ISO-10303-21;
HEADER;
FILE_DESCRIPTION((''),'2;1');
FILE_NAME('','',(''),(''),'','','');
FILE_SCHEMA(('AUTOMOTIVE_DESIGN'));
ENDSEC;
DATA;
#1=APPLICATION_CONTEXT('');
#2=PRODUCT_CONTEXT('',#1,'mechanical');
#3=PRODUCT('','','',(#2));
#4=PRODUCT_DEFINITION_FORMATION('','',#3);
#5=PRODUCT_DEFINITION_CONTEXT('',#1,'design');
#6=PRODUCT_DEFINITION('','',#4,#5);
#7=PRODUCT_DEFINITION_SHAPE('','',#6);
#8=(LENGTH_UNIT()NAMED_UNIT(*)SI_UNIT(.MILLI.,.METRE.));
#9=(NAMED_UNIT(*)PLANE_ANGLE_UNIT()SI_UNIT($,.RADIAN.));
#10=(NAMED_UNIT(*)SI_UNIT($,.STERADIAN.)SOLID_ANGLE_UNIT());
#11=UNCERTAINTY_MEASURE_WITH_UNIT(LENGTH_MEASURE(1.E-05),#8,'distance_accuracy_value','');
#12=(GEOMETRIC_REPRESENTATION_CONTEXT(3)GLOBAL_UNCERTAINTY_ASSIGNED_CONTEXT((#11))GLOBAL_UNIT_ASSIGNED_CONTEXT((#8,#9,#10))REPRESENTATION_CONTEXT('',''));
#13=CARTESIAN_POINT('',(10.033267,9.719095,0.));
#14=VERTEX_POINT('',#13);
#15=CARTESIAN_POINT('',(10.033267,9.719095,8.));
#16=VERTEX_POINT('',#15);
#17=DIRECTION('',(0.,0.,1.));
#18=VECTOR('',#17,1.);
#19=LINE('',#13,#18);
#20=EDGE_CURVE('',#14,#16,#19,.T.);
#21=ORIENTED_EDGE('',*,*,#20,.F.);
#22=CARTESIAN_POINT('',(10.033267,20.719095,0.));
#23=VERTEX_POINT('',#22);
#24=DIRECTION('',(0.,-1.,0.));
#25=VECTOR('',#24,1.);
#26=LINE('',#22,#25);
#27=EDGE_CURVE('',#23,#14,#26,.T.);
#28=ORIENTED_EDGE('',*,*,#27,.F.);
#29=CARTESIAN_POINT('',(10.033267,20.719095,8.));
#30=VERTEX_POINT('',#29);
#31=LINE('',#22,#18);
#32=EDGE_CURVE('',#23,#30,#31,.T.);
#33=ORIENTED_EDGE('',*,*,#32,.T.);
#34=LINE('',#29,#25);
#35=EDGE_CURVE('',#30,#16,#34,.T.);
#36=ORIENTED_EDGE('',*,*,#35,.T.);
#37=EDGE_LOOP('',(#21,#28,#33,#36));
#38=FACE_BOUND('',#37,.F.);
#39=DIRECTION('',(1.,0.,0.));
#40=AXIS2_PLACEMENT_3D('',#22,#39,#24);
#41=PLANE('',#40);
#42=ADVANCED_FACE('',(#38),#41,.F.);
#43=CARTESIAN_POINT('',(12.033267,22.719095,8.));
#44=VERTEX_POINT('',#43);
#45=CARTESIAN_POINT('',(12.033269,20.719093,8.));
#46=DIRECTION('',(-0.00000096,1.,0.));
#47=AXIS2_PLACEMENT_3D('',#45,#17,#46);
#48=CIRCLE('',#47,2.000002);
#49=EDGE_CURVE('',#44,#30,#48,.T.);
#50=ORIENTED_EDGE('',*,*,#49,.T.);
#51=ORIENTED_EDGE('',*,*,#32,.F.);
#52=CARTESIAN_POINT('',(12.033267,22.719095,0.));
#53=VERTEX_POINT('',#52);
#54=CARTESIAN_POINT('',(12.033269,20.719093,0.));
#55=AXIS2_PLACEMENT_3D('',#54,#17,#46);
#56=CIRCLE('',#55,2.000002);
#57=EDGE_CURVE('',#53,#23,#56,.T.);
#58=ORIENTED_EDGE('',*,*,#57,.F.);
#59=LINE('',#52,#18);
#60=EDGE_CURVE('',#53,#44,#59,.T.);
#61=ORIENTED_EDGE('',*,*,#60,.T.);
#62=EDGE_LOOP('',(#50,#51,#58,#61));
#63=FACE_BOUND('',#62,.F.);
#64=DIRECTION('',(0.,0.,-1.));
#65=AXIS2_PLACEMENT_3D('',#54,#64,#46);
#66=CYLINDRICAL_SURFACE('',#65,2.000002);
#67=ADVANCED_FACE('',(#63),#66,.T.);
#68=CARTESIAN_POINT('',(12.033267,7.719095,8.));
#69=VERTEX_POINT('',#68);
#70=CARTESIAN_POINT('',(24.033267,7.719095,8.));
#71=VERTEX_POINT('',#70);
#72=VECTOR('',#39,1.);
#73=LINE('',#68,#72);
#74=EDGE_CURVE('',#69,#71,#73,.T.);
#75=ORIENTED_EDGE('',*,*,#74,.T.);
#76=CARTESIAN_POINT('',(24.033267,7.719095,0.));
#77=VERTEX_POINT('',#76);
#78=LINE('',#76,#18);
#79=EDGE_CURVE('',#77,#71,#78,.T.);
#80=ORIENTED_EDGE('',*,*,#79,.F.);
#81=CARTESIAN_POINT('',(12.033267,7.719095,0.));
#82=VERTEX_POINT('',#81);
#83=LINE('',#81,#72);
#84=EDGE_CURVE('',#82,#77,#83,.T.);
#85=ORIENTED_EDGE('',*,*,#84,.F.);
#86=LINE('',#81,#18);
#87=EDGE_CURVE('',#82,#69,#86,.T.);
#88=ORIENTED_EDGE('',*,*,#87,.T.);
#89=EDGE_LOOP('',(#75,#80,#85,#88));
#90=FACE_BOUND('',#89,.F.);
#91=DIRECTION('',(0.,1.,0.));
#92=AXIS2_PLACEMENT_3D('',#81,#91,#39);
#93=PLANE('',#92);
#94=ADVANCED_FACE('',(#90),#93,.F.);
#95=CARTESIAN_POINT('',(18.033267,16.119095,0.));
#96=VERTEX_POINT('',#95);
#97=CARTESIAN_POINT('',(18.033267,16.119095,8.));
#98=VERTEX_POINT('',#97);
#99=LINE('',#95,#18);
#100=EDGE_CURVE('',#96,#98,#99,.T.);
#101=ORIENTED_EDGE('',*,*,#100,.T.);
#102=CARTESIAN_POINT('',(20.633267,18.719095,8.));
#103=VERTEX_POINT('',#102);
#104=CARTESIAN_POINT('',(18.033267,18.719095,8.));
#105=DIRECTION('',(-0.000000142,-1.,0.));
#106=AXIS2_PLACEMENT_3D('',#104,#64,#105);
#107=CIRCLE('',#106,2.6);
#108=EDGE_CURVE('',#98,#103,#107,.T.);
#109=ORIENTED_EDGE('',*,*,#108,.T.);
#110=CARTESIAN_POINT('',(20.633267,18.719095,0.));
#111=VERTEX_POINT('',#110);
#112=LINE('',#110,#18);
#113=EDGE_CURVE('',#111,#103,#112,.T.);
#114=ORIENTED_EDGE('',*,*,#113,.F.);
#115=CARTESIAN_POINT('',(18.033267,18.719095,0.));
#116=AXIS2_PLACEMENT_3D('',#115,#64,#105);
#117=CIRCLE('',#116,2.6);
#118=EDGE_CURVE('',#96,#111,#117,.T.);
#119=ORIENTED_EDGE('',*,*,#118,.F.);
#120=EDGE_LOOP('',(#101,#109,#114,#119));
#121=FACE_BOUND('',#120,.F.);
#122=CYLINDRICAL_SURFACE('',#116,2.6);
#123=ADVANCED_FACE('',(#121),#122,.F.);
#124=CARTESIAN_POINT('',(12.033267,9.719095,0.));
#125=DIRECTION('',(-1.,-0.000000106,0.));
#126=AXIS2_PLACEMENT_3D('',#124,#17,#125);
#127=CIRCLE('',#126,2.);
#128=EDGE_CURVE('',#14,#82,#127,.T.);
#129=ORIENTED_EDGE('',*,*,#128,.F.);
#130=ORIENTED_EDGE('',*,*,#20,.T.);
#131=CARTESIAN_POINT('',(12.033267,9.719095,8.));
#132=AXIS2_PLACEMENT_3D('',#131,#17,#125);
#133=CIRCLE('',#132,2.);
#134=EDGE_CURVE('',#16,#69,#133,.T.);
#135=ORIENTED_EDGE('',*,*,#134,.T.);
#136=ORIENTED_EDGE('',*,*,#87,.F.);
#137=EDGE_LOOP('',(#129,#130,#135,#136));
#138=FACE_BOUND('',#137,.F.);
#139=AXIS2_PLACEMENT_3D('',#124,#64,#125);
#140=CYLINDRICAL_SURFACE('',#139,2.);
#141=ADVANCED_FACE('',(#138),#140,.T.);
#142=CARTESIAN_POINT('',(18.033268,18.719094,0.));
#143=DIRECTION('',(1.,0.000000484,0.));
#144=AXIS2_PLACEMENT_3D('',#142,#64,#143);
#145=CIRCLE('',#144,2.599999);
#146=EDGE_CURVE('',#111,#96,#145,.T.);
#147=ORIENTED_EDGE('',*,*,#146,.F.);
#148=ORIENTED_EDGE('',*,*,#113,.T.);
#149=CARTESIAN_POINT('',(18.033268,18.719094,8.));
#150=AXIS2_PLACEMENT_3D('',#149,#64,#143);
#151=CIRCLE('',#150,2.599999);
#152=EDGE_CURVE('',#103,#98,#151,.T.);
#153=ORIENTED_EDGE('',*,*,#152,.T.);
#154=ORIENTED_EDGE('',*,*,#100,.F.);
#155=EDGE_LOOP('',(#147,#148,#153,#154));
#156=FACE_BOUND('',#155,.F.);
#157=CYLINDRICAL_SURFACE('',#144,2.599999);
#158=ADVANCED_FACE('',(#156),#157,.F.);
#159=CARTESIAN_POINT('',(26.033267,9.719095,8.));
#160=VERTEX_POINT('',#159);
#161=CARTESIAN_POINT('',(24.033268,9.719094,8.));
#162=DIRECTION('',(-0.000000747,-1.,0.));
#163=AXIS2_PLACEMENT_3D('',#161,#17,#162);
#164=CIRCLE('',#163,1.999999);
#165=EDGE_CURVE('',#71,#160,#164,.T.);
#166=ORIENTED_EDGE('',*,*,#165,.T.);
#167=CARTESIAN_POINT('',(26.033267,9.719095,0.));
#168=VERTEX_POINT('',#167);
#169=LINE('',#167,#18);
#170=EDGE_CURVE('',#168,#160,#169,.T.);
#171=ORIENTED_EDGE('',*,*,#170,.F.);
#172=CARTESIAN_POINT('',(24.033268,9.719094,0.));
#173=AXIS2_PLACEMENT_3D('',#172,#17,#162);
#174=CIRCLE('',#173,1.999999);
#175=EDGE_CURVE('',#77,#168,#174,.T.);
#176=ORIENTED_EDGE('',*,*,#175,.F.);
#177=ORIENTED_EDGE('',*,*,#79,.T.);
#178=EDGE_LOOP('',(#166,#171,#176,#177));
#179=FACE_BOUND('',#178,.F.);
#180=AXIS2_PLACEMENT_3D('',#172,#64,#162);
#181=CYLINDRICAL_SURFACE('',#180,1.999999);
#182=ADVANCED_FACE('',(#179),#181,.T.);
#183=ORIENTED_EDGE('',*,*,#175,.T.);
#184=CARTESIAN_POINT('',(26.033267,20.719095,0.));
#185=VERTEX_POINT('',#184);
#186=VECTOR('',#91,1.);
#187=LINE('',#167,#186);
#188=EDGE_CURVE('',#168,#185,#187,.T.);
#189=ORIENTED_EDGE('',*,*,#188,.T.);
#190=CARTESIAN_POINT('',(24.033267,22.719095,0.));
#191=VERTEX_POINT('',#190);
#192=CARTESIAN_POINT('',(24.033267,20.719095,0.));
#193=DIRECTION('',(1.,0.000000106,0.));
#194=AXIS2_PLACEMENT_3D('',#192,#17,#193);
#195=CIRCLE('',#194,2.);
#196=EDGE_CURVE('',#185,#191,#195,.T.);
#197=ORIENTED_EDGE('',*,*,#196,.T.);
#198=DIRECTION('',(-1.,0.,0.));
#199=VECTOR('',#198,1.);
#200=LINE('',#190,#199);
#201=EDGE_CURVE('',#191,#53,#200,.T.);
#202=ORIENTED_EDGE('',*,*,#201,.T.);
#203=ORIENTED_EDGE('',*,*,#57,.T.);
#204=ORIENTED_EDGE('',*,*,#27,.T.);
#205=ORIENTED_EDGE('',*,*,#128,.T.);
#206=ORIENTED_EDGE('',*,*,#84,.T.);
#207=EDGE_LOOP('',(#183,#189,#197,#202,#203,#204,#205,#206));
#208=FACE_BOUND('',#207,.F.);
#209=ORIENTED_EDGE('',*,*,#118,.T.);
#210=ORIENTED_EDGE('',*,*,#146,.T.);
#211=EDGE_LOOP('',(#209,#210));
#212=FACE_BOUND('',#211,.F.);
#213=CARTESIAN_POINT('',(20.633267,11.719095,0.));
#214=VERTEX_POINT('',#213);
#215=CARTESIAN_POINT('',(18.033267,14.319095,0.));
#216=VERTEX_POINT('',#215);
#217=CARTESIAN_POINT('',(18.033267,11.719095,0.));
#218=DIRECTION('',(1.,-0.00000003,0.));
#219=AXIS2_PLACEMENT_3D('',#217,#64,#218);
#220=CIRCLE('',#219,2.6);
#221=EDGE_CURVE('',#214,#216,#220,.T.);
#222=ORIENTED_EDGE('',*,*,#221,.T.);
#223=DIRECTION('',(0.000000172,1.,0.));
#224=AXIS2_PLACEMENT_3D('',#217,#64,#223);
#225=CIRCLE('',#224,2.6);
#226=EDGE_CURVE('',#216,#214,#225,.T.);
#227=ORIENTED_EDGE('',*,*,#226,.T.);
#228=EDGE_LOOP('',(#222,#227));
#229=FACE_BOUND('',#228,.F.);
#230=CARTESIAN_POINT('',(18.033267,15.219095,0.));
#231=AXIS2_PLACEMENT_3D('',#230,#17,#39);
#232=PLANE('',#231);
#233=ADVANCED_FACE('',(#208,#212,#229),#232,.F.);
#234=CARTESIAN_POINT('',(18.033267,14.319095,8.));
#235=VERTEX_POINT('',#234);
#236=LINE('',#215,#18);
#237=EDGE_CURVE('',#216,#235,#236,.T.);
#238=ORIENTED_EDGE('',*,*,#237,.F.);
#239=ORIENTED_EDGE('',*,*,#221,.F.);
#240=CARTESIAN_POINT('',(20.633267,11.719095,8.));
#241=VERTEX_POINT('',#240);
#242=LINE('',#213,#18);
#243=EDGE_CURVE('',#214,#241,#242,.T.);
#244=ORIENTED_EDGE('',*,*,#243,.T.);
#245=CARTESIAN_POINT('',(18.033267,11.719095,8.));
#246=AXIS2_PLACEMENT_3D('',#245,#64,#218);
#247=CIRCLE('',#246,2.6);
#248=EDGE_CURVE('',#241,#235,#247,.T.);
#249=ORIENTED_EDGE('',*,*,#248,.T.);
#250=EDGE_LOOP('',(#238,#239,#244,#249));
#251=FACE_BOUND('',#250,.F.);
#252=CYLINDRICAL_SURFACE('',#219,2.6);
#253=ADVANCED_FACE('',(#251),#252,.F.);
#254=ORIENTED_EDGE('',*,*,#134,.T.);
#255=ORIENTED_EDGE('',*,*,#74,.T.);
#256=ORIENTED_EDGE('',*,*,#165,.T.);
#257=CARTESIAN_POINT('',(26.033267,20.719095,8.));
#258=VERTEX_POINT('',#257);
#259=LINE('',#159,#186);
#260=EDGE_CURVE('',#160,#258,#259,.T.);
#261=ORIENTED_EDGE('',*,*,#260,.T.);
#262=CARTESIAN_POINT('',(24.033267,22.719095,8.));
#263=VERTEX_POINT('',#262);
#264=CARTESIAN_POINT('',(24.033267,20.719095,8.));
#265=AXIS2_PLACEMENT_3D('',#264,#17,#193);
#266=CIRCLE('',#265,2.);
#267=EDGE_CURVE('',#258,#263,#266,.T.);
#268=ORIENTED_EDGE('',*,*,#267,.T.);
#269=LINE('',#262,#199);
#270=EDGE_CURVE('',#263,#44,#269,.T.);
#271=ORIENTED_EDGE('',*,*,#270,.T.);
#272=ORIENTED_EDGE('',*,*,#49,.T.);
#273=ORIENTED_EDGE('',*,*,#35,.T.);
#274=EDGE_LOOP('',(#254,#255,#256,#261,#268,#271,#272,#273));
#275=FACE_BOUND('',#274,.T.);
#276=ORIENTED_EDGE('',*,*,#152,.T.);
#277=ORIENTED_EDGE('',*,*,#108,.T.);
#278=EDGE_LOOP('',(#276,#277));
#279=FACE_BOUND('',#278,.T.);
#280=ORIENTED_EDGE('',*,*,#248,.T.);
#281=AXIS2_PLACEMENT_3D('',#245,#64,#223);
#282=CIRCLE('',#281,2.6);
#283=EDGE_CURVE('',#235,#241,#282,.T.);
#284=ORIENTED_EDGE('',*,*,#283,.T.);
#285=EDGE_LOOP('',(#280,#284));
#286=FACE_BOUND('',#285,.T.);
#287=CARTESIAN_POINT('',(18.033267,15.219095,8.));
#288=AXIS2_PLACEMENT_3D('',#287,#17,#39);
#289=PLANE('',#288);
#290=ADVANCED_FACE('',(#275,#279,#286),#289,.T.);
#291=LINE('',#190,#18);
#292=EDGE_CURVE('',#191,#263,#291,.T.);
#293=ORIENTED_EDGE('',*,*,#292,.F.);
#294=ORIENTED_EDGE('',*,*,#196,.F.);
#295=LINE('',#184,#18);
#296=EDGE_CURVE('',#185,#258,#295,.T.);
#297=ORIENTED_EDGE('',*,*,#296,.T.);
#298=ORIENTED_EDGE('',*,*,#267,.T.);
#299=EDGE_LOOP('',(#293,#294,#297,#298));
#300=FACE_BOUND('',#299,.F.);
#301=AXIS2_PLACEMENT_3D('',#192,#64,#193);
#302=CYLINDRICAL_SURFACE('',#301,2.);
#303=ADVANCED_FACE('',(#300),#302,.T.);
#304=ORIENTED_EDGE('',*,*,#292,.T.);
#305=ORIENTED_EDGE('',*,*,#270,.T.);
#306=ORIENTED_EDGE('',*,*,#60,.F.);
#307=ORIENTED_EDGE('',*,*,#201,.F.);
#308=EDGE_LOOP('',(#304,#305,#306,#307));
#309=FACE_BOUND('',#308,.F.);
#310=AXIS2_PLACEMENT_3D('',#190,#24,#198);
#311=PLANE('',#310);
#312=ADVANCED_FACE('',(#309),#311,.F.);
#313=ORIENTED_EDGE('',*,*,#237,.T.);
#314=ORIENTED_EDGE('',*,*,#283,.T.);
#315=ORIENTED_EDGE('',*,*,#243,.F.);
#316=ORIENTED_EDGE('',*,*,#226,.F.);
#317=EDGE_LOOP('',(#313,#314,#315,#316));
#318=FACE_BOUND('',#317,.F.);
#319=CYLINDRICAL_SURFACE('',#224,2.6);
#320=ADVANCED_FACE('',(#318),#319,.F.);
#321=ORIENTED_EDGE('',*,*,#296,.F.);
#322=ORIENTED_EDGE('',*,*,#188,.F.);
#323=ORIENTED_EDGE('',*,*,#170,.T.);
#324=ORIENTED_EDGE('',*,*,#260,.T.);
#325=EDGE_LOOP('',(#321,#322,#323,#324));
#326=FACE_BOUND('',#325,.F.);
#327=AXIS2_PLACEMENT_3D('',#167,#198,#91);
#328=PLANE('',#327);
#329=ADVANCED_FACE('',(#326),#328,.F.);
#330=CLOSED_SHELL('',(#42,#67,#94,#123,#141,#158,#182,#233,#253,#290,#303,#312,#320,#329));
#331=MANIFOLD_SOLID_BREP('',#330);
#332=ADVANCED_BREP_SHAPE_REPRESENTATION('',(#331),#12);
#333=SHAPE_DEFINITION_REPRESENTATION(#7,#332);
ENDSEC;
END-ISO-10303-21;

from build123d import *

# Parameters (mm, degrees)
F1_DEPTH = 8


with BuildPart() as f1:
    # F0 (on Top) → F1 (new body)
    with BuildSketch(Plane.XY):
        with BuildLine():
            Line((24.033267, 22.719095), (12.033267, 22.719095))
            ThreePointArc((12.033267, 22.719095), (10.619054, 22.133308), (10.033267, 20.719095))
            Line((10.033267, 20.719095), (10.033267, 9.719095))
            ThreePointArc((10.033267, 9.719095), (10.619054, 8.304881), (12.033267, 7.719095))
            Line((12.033267, 7.719095), (24.033267, 7.719095))
            ThreePointArc((24.033267, 7.719095), (25.447481, 8.304881), (26.033267, 9.719095))
            Line((26.033267, 9.719095), (26.033267, 20.719095))
            ThreePointArc((26.033267, 20.719095), (25.447481, 22.133308), (24.033267, 22.719095))
        make_face()
        with BuildLine():
            ThreePointArc((20.633267, 11.719095), (16.19479, 9.880617), (18.033267, 14.319095))
            ThreePointArc((18.033267, 14.319095), (19.871745, 13.557572), (20.633267, 11.719095))
        make_face(mode=Mode.SUBTRACT)
        with BuildLine():
            ThreePointArc((18.033267, 16.119095), (16.19479, 20.557572), (20.633267, 18.719095))
            ThreePointArc((20.633267, 18.719095), (19.871745, 16.880617), (18.033267, 16.119095))
        make_face(mode=Mode.SUBTRACT)
    extrude(amount=F1_DEPTH)


solid = f1.part
